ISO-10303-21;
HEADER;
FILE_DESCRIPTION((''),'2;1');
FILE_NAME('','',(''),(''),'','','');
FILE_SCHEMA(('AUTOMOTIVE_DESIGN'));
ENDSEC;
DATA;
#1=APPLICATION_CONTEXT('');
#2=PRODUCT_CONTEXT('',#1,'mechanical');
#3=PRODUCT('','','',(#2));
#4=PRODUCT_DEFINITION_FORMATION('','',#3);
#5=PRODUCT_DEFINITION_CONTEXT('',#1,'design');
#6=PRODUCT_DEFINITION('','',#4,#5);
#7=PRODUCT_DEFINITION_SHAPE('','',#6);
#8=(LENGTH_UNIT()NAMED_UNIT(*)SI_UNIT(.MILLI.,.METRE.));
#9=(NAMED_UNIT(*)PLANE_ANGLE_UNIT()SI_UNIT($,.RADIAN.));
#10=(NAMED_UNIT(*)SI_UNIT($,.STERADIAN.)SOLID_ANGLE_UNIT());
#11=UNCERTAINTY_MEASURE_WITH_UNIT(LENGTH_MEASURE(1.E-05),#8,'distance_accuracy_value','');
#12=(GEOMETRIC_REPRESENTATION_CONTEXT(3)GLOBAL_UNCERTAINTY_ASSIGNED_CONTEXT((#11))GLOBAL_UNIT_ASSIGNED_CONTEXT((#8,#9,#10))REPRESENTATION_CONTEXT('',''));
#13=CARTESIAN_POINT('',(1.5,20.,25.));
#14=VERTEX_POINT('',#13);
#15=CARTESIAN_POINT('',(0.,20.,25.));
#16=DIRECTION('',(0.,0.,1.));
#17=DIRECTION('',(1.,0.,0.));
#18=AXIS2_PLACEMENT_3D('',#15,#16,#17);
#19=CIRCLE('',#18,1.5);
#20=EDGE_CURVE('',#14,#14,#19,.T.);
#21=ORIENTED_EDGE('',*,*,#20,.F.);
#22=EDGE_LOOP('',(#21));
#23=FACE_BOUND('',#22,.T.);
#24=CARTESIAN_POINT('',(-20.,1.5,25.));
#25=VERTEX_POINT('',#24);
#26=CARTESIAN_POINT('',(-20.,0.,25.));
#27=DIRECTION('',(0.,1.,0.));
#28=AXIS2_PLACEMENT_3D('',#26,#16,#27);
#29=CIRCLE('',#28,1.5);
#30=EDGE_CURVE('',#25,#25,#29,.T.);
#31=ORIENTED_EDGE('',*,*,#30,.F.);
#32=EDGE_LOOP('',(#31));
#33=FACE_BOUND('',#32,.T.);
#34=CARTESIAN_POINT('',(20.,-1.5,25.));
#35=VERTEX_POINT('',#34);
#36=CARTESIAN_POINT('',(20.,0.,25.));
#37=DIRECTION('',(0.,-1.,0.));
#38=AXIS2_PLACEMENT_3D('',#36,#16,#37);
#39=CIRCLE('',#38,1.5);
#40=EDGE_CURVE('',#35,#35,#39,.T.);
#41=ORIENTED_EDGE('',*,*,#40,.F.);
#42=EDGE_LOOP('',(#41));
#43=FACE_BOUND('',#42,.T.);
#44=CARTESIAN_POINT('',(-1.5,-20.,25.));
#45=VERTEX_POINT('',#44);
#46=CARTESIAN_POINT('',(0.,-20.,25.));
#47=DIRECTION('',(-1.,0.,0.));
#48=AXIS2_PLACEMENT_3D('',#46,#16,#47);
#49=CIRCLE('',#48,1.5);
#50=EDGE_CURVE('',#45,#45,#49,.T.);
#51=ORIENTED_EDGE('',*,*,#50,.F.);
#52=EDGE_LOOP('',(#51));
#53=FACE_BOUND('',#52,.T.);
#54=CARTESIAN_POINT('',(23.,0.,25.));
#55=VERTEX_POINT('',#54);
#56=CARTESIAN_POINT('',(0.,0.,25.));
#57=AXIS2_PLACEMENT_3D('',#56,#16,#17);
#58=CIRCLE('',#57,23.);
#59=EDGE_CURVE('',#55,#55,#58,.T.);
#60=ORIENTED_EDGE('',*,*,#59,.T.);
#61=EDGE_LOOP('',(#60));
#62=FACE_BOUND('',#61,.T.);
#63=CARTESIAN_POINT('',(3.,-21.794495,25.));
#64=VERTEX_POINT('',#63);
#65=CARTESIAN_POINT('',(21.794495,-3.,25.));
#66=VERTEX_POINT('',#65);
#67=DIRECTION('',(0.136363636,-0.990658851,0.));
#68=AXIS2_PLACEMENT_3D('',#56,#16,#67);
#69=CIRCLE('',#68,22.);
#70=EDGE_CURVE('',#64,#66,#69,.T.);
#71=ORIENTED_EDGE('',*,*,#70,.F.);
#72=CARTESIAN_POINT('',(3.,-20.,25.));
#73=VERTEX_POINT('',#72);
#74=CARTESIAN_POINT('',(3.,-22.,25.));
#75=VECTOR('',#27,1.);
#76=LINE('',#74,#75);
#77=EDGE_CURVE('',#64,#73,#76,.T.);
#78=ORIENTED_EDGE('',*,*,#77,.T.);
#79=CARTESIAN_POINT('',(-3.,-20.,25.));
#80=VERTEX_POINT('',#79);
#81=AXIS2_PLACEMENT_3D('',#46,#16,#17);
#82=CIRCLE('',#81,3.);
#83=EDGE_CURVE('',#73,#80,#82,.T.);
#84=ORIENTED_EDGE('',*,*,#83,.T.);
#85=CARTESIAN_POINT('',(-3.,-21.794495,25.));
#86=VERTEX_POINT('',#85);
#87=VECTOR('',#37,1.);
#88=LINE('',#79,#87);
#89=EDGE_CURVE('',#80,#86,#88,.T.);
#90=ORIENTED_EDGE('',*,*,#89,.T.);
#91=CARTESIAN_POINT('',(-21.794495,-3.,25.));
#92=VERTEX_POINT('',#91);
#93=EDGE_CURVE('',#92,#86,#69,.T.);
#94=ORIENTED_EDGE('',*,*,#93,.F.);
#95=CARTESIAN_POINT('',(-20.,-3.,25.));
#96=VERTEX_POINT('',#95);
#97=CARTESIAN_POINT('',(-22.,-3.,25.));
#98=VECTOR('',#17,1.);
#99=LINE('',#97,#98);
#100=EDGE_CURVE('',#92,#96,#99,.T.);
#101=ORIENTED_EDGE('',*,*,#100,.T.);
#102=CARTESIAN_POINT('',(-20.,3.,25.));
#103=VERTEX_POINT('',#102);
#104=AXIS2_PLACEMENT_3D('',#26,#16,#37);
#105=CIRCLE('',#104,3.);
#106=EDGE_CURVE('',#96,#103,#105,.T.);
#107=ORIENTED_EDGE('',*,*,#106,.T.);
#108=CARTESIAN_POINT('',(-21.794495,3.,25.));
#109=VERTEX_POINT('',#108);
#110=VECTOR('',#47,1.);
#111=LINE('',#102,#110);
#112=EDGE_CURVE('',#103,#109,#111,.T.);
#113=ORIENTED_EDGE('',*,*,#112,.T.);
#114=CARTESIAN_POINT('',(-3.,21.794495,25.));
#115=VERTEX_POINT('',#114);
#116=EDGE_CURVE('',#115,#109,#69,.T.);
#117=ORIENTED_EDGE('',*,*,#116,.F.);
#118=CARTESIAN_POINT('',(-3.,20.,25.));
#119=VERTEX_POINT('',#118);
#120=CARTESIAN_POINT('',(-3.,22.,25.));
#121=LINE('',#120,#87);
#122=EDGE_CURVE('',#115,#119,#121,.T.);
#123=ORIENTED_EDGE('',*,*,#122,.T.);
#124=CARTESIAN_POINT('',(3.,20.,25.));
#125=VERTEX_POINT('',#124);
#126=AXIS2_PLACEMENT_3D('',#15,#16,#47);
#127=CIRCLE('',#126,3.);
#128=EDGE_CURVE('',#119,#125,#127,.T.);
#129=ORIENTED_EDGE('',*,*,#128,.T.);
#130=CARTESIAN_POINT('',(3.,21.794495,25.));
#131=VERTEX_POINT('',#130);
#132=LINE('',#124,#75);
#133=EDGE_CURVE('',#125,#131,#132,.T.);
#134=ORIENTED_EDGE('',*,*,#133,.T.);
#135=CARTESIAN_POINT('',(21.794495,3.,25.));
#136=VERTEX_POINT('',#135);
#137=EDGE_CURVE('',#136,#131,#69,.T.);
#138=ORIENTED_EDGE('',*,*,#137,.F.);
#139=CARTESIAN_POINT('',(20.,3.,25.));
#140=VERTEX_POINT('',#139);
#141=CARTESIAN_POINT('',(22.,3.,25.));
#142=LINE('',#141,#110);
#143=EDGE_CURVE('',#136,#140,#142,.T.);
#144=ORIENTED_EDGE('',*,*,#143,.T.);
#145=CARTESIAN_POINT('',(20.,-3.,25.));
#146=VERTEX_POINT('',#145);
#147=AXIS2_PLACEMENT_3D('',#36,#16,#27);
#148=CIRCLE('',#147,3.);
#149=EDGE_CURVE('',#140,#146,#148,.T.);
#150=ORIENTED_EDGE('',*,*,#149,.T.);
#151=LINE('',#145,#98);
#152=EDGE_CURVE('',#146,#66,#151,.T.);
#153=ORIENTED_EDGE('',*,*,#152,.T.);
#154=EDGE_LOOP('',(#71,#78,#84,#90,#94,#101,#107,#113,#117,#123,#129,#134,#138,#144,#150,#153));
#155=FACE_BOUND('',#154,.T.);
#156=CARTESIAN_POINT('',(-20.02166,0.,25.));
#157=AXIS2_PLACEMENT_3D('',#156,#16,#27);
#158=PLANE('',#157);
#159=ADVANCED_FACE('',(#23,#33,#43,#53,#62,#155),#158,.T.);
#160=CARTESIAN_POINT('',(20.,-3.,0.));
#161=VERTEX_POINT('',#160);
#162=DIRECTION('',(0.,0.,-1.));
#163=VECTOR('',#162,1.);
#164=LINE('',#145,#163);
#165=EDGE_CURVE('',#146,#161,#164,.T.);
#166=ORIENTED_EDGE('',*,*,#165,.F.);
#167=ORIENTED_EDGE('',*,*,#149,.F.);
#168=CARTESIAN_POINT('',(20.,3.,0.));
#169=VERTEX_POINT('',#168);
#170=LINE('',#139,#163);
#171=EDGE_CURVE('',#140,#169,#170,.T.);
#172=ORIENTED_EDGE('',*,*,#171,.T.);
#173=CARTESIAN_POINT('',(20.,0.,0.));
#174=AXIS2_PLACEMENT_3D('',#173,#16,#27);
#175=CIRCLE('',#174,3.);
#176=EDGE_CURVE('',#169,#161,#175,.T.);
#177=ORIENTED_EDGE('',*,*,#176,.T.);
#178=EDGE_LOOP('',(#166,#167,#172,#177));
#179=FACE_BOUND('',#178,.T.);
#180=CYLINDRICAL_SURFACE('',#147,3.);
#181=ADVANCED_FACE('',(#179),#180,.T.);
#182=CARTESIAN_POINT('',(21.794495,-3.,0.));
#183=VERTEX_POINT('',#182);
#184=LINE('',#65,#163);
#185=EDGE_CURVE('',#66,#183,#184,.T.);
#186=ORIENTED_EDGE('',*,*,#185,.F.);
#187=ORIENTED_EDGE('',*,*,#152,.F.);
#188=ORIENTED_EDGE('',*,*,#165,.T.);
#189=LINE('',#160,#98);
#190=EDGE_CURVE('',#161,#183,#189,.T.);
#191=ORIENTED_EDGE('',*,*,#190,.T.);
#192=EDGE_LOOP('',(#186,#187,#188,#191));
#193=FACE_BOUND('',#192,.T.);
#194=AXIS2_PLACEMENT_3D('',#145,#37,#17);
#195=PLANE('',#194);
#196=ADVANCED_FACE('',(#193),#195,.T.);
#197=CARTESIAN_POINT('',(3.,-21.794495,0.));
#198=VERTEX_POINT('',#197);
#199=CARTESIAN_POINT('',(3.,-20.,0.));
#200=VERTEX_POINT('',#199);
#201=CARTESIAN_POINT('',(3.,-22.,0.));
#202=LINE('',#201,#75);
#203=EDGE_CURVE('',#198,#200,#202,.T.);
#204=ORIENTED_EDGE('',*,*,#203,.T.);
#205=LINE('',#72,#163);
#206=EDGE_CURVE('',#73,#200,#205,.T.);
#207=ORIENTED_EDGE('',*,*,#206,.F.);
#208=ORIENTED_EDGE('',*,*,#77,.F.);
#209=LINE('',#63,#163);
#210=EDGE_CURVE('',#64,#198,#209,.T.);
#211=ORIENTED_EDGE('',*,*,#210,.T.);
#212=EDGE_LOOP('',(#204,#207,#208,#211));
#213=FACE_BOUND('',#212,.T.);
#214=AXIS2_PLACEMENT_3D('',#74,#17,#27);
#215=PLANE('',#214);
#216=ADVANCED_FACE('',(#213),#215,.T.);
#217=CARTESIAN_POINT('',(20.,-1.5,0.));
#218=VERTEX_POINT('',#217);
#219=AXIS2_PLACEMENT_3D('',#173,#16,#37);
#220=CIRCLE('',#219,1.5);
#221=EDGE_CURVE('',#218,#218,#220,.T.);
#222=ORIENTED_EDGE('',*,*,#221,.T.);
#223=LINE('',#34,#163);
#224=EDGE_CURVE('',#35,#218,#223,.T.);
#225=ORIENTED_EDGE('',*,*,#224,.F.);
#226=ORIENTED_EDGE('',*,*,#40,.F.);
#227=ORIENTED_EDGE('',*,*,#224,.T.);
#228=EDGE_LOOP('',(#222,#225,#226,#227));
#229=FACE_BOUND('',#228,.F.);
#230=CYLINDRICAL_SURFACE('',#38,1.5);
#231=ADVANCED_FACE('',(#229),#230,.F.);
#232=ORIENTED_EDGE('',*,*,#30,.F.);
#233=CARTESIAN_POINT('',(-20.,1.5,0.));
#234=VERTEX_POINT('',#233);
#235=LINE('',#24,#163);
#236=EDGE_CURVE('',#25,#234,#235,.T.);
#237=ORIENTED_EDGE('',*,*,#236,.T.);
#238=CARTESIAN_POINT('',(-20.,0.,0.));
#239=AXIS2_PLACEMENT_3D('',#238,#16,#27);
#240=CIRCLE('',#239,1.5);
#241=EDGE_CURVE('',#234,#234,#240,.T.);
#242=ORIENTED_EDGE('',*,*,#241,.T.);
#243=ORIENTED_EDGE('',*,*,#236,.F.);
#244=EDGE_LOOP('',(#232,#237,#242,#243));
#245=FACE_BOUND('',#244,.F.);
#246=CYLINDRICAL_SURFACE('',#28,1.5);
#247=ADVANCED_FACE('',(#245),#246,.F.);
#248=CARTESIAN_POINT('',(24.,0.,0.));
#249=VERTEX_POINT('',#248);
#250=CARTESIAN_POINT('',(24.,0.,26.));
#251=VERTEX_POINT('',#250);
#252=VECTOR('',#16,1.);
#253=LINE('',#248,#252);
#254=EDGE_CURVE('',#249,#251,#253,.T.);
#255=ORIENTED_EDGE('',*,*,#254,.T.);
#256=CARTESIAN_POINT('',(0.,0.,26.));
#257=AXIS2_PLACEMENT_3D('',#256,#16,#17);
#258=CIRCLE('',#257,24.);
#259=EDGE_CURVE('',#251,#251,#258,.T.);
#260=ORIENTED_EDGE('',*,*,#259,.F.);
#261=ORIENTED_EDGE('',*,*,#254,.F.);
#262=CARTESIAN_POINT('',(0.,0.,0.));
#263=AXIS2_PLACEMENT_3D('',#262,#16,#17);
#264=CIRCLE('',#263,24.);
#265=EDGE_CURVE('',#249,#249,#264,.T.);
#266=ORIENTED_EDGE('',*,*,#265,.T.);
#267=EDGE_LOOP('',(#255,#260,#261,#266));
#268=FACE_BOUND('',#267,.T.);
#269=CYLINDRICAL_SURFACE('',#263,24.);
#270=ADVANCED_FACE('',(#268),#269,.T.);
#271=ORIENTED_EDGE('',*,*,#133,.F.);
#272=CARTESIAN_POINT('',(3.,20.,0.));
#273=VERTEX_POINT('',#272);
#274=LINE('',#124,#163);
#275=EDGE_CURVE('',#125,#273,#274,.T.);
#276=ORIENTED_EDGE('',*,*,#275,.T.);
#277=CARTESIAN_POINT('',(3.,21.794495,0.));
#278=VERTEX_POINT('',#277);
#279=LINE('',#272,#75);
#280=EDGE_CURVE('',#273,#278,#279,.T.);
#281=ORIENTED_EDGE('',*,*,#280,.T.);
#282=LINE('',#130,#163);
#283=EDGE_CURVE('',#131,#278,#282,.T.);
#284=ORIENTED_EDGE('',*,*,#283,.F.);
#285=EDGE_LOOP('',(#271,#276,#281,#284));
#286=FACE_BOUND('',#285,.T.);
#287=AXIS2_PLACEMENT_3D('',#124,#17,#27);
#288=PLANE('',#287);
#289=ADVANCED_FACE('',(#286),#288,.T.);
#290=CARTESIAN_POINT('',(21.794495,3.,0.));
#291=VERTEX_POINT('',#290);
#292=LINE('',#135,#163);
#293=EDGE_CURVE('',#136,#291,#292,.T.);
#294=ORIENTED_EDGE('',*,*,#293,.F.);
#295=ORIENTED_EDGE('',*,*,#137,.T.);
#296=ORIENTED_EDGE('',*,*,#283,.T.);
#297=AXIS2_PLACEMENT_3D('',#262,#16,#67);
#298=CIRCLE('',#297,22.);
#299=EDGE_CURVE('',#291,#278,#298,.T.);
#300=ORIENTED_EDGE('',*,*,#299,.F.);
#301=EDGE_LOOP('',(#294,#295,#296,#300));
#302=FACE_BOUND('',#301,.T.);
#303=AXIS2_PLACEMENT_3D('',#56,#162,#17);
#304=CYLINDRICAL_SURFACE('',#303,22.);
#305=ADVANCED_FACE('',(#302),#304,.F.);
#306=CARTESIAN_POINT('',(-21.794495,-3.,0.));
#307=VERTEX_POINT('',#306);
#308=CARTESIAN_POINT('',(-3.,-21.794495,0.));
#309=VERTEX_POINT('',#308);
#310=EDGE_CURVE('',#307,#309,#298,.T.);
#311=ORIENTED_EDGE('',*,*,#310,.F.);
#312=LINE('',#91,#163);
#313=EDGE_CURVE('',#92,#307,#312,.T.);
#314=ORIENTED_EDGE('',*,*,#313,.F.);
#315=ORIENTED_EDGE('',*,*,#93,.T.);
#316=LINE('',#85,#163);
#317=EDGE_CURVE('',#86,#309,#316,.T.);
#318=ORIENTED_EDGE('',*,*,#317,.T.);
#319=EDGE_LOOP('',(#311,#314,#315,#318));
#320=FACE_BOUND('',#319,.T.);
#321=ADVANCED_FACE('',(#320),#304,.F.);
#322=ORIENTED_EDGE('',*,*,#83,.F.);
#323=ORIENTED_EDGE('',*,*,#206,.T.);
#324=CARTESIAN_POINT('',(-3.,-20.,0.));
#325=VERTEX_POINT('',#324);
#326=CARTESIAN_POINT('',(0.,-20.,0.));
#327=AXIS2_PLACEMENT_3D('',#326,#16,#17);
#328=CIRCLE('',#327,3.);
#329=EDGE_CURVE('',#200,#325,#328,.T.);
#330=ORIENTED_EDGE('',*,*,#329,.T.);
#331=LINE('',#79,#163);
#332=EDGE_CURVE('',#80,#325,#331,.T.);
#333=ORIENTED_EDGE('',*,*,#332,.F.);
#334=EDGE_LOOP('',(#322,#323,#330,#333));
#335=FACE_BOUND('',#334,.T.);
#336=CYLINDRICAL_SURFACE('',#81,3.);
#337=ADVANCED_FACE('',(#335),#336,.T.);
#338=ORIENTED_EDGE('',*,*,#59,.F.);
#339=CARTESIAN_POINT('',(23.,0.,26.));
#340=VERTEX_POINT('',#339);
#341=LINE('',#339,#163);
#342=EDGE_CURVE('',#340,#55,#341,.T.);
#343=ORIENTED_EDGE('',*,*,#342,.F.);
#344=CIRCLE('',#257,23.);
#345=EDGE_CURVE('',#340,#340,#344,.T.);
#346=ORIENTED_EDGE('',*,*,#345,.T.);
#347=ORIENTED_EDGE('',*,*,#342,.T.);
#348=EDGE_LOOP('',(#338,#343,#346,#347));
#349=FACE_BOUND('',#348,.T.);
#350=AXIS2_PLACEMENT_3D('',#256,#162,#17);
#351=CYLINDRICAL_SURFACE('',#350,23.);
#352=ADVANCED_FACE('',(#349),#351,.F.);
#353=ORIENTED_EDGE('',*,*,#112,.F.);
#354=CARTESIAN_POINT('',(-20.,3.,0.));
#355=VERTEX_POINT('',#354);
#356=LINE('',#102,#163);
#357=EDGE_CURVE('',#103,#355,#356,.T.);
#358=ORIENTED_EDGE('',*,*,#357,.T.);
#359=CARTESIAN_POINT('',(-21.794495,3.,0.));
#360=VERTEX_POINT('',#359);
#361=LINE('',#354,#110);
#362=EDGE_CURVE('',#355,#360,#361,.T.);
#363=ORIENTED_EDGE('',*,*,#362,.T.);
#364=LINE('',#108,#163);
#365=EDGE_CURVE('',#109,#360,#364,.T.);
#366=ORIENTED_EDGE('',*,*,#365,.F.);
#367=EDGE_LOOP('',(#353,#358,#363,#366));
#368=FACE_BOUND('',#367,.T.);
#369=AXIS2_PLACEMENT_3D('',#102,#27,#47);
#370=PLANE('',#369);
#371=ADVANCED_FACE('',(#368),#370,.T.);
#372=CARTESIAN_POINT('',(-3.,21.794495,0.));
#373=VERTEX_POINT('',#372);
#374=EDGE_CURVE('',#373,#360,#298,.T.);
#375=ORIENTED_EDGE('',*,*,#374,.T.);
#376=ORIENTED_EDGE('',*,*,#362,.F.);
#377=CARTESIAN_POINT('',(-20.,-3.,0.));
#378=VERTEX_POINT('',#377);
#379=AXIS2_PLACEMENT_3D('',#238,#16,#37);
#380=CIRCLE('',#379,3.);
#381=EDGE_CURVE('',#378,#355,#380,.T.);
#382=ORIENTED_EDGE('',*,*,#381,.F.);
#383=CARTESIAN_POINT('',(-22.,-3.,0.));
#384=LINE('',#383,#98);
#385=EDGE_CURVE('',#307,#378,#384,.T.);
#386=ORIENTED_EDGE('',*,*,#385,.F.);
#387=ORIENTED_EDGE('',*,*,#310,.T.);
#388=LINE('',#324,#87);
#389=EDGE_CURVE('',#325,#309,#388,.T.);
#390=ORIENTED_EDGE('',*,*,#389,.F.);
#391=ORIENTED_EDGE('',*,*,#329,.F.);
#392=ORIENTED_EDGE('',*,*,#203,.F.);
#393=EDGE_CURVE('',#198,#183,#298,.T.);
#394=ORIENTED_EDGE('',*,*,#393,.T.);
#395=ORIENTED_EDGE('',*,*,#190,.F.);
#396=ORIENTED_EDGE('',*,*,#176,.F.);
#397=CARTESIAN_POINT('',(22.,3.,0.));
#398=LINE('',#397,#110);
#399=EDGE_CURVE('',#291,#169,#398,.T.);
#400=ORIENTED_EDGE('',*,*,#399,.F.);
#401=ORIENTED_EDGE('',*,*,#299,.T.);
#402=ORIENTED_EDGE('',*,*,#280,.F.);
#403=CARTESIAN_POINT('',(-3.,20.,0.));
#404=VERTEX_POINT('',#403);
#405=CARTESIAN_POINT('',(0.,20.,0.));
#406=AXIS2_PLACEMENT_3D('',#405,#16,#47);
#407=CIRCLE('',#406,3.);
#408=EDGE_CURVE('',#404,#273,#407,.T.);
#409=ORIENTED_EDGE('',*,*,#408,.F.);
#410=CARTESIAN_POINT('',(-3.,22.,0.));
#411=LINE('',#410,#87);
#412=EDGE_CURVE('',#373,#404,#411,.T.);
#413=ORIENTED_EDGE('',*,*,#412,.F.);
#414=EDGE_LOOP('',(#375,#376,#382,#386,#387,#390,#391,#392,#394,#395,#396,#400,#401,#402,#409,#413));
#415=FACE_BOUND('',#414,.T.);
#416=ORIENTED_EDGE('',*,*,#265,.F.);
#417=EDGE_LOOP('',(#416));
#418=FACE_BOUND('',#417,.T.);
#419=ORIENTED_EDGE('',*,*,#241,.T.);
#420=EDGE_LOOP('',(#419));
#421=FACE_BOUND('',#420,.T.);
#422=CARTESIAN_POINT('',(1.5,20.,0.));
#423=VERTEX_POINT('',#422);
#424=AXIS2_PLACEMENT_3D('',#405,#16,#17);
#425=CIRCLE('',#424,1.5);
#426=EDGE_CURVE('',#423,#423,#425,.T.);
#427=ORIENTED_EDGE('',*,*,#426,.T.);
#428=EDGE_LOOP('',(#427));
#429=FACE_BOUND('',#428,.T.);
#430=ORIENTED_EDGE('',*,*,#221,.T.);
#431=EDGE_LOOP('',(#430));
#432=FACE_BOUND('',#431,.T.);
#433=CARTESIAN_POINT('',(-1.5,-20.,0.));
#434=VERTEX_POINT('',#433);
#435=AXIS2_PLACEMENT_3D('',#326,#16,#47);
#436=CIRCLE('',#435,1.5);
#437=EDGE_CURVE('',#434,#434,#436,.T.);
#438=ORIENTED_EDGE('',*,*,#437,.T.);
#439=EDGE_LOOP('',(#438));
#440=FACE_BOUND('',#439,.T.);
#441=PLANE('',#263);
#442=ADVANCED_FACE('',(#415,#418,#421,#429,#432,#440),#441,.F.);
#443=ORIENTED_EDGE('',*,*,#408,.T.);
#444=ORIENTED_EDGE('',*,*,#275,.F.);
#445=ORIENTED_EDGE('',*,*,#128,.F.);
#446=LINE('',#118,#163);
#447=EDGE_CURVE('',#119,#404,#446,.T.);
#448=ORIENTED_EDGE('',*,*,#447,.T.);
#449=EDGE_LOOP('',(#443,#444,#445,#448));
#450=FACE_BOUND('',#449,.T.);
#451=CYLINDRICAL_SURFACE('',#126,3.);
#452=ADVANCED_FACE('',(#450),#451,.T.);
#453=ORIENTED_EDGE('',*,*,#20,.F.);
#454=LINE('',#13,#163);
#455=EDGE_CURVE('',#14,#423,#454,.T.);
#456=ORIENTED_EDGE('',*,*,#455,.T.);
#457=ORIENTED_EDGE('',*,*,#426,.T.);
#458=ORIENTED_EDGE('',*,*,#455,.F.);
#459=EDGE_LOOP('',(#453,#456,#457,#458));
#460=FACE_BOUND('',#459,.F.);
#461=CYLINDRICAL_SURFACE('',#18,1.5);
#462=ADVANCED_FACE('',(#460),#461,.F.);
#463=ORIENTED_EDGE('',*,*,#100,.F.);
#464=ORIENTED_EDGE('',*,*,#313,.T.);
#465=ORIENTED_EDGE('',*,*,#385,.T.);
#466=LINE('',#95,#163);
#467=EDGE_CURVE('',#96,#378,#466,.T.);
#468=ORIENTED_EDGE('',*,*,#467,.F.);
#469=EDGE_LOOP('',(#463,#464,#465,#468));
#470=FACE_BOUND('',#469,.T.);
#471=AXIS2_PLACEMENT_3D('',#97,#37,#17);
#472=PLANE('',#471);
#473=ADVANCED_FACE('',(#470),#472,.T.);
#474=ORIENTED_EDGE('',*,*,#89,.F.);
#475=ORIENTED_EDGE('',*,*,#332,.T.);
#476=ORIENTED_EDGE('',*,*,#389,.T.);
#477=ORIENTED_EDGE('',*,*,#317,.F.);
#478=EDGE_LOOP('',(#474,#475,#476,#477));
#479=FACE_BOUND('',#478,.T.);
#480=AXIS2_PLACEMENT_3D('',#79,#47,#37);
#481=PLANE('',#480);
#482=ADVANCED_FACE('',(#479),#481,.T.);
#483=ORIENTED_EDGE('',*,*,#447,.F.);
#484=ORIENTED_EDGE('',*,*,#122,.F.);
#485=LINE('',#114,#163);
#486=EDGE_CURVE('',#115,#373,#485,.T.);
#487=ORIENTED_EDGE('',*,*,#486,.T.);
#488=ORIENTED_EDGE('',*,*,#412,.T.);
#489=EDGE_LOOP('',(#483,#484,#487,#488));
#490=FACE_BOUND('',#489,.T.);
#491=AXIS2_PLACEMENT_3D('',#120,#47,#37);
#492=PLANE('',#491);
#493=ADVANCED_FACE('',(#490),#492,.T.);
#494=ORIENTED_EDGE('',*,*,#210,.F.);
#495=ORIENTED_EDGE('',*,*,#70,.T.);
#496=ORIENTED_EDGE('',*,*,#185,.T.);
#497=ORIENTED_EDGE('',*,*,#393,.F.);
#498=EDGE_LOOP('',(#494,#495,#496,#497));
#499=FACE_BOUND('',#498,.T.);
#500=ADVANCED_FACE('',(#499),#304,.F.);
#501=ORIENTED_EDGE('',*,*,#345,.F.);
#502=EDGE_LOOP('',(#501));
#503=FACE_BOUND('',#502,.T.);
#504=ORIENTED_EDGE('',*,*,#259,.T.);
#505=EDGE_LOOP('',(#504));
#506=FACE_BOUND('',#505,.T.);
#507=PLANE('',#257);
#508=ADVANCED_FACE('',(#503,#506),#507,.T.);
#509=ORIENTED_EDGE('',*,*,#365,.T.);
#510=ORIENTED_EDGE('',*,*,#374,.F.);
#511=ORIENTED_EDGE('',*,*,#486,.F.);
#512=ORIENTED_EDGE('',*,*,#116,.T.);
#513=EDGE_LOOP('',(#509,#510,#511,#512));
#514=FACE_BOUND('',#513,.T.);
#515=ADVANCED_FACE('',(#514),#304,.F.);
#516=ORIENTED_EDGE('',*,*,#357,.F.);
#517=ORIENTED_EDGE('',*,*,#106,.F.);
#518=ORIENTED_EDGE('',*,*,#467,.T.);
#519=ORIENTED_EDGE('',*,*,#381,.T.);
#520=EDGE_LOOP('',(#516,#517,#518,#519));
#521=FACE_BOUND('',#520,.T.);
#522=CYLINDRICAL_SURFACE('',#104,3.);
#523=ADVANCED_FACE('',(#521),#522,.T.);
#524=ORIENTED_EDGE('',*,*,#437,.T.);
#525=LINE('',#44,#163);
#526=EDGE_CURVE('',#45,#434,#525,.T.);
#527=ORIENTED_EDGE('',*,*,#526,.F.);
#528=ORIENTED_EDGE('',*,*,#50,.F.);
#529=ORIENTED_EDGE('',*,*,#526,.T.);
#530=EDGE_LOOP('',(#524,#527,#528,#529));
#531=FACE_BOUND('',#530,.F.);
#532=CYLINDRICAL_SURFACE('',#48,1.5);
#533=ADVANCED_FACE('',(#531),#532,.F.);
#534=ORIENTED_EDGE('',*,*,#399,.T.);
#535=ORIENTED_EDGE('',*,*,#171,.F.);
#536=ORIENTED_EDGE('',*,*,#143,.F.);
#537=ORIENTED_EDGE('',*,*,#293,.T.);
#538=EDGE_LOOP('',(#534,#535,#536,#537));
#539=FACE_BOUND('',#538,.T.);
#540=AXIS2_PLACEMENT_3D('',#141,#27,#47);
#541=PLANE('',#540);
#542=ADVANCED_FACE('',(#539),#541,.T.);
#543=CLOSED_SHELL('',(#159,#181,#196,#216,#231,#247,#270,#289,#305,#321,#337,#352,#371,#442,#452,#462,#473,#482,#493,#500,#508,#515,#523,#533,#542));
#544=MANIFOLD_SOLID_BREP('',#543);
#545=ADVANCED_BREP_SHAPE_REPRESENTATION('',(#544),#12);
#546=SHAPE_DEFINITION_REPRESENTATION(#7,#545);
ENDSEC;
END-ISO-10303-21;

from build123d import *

# Parameters (mm, degrees)
SKETCH002_R        = 1.5
PAD_DEPTH          = 25
POLARPATTERN_COUNT = 4


with BuildPart() as part:
    # Sketch → Revolution (revolve)
    with BuildSketch(Plane.XZ):
        Polygon((24, 0), (24, 26), (23, 26), (23, 25), (22, 25), (22, 0), align=None)
    revolve(axis=Axis((0, 0, 0), (0, 0, 1)))

    # Sketch002 → Pad (new body)
    with BuildSketch(Plane(origin=(0, 0, 25), x_dir=(-1, 0, 0), z_dir=(0, 0, 1))):
        with BuildLine():
            Line((-3, 22), (-3, 20))
            ThreePointArc((-3, 20), (0, 17), (3, 20))
            Line((3, 20), (3, 22))
            Line((-3, 22), (3, 22))
        make_face()
        with Locations((0, 20)):
            Circle(SKETCH002_R, mode=Mode.SUBTRACT)
    pad = extrude(amount=-PAD_DEPTH)

    # PolarPattern: Pad ×4 about axis
    polarpattern_axis = Axis((0, 0, 25), (0, 0, 1))
    for i in range(1, POLARPATTERN_COUNT):
        add(pad.rotate(polarpattern_axis, i * 360 / POLARPATTERN_COUNT))


solid = part.part
